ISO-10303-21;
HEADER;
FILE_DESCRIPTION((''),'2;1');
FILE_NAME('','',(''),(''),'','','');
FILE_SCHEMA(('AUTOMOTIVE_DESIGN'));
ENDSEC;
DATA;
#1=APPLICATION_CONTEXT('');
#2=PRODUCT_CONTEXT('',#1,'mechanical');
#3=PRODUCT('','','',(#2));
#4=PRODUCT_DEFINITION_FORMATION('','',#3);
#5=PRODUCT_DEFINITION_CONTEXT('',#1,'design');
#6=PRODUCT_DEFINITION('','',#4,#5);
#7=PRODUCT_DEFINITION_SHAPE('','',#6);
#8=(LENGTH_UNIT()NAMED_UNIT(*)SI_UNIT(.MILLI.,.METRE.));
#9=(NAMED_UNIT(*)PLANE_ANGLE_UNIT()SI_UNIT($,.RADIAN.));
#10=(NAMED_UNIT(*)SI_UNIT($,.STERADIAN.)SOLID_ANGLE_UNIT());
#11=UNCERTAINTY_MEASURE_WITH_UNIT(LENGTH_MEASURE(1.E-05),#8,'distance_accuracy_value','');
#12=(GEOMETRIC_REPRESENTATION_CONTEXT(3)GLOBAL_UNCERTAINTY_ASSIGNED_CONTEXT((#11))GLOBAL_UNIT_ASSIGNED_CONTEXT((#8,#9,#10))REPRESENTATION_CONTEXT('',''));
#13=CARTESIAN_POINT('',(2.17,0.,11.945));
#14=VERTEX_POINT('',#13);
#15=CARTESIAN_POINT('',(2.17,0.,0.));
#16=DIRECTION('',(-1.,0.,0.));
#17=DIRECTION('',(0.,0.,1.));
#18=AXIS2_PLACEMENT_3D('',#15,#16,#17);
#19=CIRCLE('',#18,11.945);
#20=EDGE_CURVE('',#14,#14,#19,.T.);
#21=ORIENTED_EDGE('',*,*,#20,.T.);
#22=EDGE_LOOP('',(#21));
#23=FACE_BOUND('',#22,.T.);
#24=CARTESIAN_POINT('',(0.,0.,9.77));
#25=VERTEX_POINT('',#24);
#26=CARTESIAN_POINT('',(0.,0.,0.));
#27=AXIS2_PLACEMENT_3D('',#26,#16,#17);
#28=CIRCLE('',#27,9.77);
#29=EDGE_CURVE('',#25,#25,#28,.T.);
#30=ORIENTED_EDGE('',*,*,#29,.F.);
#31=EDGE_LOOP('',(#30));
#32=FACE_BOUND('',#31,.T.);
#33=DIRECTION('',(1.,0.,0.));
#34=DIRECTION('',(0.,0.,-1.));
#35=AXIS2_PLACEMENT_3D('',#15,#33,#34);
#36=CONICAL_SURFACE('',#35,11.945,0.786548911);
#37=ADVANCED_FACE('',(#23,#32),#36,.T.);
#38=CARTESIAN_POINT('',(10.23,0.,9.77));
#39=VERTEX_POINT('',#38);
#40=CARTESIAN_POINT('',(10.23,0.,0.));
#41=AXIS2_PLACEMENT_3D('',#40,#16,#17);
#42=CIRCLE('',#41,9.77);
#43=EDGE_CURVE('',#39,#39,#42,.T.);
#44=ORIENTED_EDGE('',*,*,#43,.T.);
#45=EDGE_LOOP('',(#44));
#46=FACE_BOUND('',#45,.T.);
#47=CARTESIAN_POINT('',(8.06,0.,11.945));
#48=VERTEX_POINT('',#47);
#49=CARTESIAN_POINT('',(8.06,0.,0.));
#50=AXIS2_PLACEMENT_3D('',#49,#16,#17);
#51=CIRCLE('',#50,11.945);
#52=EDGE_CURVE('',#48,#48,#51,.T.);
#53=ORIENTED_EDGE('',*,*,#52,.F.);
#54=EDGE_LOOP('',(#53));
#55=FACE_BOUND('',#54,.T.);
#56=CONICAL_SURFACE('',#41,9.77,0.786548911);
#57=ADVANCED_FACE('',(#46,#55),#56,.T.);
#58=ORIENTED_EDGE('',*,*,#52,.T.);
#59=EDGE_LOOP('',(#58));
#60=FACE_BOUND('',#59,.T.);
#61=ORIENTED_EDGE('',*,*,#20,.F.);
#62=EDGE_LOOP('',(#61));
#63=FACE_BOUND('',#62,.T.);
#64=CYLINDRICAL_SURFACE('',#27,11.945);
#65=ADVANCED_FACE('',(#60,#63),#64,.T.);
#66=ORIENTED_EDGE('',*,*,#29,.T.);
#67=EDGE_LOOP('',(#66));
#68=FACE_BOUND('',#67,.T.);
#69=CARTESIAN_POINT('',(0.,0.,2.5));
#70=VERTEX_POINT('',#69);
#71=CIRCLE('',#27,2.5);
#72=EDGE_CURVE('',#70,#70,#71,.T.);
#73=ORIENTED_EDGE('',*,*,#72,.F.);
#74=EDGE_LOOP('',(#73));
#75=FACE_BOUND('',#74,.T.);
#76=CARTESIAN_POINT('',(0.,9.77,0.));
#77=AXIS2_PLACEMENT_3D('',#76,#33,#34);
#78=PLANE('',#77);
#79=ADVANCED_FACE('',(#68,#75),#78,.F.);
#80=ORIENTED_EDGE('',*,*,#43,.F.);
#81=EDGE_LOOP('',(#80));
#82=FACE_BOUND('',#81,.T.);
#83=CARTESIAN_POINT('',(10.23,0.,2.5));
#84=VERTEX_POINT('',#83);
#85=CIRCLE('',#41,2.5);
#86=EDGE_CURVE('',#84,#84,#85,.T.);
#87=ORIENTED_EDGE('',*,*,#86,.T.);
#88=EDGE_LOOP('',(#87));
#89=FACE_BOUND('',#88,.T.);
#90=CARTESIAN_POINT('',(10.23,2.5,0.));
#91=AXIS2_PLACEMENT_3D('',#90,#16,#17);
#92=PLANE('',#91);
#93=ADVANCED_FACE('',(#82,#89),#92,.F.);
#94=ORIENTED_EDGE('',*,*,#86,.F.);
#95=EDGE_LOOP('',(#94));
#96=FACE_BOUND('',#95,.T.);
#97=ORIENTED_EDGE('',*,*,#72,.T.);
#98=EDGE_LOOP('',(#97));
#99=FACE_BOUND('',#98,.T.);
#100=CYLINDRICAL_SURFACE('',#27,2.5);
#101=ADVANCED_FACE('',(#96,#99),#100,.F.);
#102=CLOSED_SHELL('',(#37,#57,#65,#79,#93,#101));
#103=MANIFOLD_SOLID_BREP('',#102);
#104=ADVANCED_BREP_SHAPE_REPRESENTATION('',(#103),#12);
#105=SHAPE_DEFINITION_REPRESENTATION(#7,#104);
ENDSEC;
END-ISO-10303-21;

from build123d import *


with BuildPart() as part:
    # Croquis1 → Revolución1 (revolve)
    with BuildSketch(Plane.XY, mode=Mode.PRIVATE) as revoluci_n1_sk:
        Polygon((10.23, 2.5), (10.23, 9.77), (8.06, 11.945), (2.17, 11.945), (0, 9.77), (0, 2.5), align=None)
    revolve(revoluci_n1_sk.sketch.rotate(Axis((0, 0, 0), (1, 0, 0)), 90), axis=Axis((0, 0, 0), (1, 0, 0)))


solid = part.part
